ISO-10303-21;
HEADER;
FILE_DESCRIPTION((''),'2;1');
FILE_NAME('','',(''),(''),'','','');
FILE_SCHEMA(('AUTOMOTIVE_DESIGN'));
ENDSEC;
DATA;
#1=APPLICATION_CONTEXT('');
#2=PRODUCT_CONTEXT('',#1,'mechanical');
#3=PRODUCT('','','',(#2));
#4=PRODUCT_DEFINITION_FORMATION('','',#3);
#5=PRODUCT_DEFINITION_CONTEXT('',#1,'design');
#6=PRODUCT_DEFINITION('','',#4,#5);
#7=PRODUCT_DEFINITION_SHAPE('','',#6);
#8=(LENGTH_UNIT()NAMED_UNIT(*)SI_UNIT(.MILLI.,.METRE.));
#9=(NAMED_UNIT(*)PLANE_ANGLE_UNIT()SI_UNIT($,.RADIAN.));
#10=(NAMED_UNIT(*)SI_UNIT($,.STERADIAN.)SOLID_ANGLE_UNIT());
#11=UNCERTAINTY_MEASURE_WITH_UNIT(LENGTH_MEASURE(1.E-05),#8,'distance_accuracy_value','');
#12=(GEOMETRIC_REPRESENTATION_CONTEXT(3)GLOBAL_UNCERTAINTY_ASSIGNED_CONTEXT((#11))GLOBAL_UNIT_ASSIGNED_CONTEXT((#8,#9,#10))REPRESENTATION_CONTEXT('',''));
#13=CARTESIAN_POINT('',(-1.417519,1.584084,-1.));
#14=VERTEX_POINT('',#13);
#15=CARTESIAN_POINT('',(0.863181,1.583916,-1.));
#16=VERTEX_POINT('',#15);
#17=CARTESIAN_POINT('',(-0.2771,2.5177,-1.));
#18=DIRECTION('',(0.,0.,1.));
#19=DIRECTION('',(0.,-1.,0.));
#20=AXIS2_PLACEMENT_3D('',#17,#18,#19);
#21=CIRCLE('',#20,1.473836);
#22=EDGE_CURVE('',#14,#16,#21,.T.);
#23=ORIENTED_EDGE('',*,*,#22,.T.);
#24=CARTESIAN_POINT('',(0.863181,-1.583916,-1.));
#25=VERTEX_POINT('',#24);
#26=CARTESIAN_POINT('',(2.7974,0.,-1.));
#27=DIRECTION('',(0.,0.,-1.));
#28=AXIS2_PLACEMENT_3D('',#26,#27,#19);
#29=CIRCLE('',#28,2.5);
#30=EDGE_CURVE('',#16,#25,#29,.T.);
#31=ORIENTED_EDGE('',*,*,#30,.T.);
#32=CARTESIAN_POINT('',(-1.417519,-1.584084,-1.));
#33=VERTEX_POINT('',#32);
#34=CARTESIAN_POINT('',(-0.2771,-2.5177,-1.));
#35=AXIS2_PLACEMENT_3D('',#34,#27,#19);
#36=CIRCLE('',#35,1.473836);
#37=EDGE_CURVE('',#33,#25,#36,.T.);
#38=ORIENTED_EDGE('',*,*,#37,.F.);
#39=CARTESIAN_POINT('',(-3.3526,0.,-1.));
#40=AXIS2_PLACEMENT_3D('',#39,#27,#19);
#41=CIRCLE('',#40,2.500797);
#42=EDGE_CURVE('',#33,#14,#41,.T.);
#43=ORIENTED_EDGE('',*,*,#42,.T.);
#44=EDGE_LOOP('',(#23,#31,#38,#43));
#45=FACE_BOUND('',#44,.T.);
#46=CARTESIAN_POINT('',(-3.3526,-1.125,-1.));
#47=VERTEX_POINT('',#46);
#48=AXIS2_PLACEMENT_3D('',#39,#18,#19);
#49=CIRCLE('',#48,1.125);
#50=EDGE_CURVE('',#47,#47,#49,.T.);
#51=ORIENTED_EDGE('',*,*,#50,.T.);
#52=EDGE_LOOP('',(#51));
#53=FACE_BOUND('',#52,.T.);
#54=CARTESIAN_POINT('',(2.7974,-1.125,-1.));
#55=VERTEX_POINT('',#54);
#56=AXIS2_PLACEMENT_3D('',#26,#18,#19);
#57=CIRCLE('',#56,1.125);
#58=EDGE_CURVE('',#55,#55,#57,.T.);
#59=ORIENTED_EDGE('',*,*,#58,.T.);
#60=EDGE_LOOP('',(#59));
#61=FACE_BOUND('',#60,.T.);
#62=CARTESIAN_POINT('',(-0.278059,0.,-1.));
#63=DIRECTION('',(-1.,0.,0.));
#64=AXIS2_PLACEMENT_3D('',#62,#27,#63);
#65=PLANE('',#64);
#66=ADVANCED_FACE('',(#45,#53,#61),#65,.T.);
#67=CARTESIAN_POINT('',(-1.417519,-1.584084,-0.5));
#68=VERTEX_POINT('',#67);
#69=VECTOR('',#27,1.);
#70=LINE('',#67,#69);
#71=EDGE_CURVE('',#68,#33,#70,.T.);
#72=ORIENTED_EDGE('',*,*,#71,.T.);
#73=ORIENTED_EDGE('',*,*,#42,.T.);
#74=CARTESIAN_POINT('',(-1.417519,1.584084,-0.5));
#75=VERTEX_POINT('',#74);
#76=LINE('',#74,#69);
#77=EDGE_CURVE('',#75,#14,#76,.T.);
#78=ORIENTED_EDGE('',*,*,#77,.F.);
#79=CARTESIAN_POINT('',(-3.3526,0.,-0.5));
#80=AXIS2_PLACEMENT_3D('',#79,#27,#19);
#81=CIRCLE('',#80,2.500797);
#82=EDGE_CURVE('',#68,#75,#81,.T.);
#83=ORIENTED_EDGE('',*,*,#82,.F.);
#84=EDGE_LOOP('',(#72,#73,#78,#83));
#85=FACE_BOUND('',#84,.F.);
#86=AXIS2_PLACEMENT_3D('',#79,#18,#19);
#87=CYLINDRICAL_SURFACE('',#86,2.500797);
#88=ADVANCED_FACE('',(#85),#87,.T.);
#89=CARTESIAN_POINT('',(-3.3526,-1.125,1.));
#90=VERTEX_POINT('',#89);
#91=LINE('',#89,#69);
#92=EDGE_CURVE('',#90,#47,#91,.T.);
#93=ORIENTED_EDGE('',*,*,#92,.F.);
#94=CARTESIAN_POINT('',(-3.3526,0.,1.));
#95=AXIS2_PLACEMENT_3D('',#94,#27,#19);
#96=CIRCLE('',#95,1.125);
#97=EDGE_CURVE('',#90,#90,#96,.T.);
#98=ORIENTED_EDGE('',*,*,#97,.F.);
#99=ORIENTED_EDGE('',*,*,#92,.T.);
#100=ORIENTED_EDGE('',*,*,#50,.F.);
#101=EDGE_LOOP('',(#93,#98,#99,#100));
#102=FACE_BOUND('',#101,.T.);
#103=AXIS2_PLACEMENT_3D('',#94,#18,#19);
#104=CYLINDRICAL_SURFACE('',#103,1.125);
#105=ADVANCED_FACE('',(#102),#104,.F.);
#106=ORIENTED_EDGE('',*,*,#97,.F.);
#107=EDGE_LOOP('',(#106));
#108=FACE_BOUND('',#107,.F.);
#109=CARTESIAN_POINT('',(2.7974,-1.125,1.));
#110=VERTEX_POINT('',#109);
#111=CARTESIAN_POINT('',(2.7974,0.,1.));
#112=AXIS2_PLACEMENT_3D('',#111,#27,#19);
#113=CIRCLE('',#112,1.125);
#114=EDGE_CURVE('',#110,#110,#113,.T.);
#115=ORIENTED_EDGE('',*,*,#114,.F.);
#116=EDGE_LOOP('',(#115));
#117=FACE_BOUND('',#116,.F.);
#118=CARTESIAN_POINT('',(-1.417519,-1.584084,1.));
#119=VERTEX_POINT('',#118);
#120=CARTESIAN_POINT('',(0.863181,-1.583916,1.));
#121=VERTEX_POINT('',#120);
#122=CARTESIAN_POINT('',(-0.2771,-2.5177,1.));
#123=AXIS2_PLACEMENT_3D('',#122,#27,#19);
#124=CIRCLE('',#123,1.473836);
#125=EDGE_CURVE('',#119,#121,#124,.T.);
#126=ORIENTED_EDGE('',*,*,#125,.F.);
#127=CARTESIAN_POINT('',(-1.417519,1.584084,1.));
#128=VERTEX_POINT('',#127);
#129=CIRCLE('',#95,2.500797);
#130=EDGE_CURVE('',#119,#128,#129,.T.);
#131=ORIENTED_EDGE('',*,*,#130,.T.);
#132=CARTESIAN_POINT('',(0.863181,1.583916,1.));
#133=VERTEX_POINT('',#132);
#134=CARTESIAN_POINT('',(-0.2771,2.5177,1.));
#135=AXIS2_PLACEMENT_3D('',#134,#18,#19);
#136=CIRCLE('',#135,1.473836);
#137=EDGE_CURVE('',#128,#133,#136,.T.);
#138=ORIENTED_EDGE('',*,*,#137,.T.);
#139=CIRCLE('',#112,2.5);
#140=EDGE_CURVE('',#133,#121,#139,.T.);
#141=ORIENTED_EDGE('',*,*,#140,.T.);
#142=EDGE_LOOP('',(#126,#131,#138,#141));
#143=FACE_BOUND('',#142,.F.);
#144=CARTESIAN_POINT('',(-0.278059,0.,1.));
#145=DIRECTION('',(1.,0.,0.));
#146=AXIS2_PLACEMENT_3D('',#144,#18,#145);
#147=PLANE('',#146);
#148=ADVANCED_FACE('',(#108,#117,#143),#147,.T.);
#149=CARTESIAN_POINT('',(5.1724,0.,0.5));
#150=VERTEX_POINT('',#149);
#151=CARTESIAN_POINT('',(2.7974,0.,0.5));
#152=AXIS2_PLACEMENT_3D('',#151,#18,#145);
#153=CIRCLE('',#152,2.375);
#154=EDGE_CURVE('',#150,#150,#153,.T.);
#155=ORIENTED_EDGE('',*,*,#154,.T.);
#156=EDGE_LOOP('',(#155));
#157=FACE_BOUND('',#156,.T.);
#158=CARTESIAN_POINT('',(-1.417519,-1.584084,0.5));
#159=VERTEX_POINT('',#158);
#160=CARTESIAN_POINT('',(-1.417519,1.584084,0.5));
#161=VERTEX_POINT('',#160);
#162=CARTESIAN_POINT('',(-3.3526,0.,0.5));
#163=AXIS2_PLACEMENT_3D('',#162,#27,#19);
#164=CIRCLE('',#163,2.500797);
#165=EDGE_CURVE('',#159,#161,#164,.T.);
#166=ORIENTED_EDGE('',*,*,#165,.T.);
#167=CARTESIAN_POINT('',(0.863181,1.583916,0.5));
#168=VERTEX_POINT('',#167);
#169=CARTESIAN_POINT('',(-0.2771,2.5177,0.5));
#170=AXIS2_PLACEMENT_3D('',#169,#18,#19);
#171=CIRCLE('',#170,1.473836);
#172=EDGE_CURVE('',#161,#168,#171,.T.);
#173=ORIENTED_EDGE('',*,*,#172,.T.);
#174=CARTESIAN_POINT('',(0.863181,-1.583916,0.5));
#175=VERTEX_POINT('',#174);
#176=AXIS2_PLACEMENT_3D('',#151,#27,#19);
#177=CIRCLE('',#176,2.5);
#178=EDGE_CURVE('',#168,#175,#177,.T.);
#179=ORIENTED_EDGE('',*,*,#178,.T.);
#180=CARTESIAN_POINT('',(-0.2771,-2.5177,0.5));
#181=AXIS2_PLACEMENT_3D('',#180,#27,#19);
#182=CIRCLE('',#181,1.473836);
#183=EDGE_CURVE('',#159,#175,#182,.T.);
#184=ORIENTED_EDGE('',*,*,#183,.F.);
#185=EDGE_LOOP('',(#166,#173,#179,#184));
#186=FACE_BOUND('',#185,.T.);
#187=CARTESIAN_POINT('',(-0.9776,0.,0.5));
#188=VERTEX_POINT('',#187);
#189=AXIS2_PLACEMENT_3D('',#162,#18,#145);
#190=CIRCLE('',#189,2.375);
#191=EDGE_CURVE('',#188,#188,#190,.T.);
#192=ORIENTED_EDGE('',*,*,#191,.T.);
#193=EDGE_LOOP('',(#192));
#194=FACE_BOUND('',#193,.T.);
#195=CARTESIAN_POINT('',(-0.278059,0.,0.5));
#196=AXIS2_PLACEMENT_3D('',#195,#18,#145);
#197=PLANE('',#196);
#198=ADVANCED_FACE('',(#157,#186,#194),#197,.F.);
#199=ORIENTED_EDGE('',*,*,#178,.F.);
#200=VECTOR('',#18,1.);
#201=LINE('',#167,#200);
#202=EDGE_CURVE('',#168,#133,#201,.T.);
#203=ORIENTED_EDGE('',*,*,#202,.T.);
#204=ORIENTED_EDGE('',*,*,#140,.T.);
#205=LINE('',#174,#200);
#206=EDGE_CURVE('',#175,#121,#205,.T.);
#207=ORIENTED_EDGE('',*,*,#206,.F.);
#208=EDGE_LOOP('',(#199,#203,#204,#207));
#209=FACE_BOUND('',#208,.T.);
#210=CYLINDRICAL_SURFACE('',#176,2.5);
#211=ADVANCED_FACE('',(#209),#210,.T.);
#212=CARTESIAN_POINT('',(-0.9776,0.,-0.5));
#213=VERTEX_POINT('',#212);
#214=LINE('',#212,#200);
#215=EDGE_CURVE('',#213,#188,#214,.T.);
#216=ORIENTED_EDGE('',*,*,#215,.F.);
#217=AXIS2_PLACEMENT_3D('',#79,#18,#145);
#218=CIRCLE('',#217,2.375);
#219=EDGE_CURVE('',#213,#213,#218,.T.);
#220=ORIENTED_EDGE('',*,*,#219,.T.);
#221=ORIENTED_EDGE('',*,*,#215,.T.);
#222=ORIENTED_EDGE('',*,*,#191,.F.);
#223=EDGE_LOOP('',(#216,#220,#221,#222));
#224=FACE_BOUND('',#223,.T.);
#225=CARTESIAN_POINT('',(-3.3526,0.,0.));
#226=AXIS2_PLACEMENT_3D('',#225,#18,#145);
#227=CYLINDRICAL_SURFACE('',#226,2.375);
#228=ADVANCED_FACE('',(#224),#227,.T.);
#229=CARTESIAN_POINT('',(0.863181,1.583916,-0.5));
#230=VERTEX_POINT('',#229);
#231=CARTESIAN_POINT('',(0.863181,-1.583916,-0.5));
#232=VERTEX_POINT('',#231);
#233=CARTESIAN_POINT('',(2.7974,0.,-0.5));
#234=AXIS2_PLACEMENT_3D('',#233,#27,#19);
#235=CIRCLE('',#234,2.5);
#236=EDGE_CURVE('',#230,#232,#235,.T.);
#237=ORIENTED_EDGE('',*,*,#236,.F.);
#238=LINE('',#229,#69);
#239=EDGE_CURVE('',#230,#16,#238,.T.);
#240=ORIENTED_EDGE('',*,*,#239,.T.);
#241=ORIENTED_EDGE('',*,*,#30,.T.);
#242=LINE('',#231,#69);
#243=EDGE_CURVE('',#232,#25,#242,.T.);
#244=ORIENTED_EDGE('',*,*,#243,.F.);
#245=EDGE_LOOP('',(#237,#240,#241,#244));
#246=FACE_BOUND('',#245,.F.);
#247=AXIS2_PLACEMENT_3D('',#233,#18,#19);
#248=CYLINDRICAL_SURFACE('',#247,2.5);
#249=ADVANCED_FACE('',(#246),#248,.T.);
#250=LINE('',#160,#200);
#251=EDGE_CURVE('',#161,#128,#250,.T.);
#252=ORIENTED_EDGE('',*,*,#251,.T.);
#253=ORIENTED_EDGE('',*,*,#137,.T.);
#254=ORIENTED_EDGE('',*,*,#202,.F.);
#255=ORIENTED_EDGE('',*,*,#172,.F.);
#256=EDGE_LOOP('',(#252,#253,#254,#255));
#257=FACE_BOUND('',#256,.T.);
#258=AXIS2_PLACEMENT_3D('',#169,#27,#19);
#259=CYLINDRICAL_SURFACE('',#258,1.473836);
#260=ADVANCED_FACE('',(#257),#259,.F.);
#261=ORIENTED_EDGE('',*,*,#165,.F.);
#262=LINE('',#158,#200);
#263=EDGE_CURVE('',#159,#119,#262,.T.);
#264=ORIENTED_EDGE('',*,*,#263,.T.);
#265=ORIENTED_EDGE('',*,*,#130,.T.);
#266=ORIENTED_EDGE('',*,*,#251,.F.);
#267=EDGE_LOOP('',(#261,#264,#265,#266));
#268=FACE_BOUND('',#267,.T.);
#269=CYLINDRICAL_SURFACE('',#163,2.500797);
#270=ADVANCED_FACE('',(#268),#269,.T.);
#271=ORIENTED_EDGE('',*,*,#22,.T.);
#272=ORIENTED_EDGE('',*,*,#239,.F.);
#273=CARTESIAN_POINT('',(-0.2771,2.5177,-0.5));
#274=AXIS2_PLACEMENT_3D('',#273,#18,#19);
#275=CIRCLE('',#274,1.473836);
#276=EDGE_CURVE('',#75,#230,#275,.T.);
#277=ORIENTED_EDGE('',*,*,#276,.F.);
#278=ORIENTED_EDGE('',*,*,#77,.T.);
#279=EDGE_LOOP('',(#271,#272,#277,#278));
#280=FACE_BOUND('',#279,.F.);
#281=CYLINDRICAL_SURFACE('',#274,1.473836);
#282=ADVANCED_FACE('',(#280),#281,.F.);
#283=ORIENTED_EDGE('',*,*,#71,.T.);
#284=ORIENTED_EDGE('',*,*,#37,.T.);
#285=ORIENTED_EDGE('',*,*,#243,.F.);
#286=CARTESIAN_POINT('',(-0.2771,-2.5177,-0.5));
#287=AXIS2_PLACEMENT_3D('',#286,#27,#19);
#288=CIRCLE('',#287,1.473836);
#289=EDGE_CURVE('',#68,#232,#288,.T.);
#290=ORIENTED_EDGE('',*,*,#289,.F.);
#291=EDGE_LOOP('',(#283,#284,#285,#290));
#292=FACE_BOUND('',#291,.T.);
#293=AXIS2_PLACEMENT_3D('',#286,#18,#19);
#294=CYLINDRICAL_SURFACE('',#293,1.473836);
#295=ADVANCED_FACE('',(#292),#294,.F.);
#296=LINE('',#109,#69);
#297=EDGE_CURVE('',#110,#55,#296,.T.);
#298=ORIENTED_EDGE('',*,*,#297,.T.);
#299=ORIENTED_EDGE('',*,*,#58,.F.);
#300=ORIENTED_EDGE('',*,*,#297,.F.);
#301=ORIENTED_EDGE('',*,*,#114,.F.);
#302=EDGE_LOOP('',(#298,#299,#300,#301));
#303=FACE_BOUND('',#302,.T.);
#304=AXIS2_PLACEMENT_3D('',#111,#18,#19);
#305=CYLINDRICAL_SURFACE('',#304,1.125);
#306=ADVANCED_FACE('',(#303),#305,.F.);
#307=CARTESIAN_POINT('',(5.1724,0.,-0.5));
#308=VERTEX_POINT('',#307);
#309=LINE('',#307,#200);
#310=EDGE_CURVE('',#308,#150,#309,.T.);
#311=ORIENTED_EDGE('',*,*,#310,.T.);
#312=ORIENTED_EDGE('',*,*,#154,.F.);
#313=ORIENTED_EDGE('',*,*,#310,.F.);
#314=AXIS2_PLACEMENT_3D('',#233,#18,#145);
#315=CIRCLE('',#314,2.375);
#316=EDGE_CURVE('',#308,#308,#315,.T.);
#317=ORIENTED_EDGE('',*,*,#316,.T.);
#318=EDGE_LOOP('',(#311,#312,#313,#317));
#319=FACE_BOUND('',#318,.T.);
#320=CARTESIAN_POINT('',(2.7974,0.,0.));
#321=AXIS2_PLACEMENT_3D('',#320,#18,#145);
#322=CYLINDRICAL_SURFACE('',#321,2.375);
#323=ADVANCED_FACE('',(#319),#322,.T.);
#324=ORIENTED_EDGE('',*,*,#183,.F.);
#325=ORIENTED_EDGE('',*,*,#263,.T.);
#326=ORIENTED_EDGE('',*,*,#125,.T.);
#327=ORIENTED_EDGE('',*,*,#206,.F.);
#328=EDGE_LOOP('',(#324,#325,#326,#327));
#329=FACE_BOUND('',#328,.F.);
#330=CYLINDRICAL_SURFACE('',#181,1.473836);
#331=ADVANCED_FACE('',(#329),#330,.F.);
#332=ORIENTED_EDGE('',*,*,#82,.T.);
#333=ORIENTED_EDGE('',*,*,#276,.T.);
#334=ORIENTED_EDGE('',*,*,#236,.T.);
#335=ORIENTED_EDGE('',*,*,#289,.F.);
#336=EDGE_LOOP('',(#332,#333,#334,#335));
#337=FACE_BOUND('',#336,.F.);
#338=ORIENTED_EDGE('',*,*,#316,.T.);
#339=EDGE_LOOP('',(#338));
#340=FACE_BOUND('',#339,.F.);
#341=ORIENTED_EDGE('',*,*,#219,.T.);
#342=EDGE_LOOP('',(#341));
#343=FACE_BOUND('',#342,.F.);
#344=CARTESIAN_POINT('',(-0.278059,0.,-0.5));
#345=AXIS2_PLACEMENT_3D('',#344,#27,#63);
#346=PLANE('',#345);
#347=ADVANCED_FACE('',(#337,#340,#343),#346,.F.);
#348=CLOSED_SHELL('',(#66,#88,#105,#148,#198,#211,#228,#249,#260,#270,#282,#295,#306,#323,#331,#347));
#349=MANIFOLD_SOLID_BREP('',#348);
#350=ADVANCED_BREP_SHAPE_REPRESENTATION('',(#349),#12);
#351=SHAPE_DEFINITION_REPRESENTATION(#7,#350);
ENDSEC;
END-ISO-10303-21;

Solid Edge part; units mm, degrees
sketch "Sketch1" plane through (0, 0, 0) normal (0, 0, 1) x (1, 0, 0)
  circle A0 centre (-3.3526, 0) radius 2.375
  circle A1 centre (2.7974, 0) radius 2.375
  dimension "D1" = 6.15
extrude "Protrusion1" add sketch "Sketch1" along normal mid plane 1
sketch "Sketch2" plane through (-3.3526, 0, -0.5) normal (0, 0, -1) x (0, -1, 0)
  arc A0 (-1.5841, -1.9351) -> (-1.5839, -4.2158) centre (-2.5177, -3.0755) cw
  arc A1 (1.5841, -1.9351) -> (1.5839, -4.2158) centre (2.5177, -3.0755) ccw
  arc A2 (1.5841, -1.9351) -> (-1.5841, -1.9351) centre (0, 0) ccw
  arc A3 (-1.5839, -4.2158) -> (1.5839, -4.2158) centre (0, -6.15) ccw
extrude "ExtrudedProtrusion_5" add sketch "Sketch2" along normal blind 0.5
mirror "Mirror1" about plane through (0, 0, 0) normal (0, 0, 1) of "ExtrudedProtrusion_5"
hole "Hole_5" at (-3.3526, 0, 1) direction (0, 0, -1) diameter 2.25 end up to next
hole "Hole1" at (2.7974, 0, 1) direction (0, 0, -1) diameter 2.25 end up to next
